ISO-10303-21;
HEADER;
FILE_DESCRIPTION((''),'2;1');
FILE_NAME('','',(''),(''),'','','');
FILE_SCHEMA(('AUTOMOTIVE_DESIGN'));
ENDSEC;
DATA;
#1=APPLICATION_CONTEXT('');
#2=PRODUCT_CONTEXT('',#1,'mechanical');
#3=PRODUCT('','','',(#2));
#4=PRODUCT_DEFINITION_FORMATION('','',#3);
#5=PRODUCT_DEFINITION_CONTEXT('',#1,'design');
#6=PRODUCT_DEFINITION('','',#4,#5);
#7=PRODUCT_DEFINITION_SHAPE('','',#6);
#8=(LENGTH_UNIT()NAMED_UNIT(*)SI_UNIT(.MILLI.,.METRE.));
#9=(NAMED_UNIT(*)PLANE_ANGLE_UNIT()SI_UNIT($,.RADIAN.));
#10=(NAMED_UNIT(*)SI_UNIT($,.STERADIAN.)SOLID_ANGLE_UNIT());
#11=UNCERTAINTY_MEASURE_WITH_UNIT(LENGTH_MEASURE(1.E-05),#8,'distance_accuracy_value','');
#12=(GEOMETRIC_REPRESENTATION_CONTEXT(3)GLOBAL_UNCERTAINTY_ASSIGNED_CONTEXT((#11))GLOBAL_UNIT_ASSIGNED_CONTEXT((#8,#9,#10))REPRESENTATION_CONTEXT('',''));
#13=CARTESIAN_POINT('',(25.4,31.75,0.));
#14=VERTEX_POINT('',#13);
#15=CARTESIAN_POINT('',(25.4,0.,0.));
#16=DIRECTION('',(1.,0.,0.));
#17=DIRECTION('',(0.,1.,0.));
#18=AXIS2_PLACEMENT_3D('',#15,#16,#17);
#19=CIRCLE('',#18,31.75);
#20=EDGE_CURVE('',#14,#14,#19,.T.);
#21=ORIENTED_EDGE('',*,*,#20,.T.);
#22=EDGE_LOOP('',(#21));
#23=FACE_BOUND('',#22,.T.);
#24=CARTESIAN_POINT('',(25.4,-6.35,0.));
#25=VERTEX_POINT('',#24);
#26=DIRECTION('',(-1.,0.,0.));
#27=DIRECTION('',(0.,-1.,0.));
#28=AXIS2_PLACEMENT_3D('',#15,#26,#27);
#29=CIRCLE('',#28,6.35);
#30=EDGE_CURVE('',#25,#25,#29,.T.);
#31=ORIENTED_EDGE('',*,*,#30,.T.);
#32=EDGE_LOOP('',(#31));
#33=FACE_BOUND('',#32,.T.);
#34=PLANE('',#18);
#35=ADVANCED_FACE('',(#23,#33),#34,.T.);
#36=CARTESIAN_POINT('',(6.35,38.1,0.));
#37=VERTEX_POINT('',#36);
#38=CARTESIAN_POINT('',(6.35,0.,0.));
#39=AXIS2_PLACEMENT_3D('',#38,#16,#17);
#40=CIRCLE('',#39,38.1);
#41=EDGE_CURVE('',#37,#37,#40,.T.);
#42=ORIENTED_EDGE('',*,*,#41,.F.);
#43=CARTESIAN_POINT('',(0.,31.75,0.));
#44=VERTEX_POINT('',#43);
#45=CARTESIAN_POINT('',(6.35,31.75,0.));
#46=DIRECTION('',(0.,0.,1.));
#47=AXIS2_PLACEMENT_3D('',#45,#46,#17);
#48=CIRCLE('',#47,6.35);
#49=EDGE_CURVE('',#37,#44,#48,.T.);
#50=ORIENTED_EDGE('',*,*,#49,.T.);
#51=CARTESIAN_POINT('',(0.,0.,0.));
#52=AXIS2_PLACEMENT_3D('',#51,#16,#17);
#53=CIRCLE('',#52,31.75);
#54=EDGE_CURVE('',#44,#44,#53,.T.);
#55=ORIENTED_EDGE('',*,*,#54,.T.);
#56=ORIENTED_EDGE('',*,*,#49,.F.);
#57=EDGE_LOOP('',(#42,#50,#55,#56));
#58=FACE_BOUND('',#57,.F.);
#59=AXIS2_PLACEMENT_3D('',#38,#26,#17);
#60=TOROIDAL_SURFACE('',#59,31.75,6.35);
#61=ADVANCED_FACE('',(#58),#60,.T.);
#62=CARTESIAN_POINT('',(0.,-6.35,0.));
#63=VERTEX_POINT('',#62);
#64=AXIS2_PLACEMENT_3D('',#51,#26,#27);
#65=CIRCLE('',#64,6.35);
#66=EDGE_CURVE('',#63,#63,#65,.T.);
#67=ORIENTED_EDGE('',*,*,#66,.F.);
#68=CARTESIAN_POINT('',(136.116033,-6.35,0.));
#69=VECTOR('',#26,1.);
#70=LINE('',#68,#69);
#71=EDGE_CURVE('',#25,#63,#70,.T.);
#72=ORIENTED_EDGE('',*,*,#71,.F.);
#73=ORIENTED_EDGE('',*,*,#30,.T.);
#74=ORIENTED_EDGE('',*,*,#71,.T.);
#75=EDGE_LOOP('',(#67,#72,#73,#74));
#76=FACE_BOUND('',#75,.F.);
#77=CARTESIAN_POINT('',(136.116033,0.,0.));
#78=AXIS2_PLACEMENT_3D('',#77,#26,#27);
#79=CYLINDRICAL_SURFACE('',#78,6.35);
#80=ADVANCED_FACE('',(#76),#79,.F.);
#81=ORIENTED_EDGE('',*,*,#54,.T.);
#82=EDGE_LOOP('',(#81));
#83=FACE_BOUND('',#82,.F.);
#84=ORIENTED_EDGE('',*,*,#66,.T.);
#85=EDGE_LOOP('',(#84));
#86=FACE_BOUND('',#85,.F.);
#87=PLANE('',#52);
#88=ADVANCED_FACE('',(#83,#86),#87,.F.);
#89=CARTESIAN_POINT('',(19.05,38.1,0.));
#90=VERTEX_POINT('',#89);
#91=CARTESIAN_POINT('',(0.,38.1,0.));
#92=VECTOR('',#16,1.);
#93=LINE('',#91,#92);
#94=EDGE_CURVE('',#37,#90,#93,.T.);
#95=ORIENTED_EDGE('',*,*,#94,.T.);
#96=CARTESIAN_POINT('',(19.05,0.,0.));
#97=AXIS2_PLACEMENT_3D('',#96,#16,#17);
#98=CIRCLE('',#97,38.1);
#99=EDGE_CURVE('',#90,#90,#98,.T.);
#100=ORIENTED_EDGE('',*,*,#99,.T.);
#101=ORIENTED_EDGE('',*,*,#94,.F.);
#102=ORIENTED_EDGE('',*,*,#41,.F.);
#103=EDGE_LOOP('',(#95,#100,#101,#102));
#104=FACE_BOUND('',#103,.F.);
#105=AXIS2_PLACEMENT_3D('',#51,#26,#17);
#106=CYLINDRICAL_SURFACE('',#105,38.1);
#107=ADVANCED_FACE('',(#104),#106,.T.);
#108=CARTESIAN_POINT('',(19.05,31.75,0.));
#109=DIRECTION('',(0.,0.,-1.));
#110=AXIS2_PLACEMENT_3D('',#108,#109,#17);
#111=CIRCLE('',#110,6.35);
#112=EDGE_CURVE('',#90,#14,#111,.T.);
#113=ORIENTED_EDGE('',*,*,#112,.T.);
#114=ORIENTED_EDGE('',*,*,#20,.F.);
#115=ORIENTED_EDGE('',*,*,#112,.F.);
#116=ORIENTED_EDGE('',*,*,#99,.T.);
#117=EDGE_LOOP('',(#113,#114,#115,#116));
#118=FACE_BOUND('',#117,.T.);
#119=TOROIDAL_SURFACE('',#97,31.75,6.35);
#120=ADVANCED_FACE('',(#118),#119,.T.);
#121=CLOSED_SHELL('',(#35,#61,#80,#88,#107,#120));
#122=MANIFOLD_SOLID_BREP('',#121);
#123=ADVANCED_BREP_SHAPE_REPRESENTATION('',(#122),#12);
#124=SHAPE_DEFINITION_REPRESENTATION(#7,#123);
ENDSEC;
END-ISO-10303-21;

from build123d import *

# Parameters (mm, degrees)
F0_R     = 38.1
F1_DEPTH = 25.4
F3_D     = 12.7
F4_R     = 6.35
F5_R     = 6.35


with BuildPart() as f1:
    # F0 (on Right) → F1 (new body)
    with BuildSketch(Plane.YZ):
        Circle(F0_R)
    extrude(amount=F1_DEPTH)

    # F3 (through all)
    with Locations(Plane.YZ.offset(25.4)):
        with Locations((0, 0)):
            Hole(F3_D / 2)

    # F4
    f4_edges = [f1.edges().sort_by_distance(p)[0] for p in [
        (25.4, -38.1, 0),
    ]]
    fillet(f4_edges, radius=F4_R)

    # F5
    f5_edges = [f1.edges().sort_by_distance(p)[0] for p in [
        (0, -38.1, 0),
    ]]
    fillet(f5_edges, radius=F5_R)


solid = f1.part
